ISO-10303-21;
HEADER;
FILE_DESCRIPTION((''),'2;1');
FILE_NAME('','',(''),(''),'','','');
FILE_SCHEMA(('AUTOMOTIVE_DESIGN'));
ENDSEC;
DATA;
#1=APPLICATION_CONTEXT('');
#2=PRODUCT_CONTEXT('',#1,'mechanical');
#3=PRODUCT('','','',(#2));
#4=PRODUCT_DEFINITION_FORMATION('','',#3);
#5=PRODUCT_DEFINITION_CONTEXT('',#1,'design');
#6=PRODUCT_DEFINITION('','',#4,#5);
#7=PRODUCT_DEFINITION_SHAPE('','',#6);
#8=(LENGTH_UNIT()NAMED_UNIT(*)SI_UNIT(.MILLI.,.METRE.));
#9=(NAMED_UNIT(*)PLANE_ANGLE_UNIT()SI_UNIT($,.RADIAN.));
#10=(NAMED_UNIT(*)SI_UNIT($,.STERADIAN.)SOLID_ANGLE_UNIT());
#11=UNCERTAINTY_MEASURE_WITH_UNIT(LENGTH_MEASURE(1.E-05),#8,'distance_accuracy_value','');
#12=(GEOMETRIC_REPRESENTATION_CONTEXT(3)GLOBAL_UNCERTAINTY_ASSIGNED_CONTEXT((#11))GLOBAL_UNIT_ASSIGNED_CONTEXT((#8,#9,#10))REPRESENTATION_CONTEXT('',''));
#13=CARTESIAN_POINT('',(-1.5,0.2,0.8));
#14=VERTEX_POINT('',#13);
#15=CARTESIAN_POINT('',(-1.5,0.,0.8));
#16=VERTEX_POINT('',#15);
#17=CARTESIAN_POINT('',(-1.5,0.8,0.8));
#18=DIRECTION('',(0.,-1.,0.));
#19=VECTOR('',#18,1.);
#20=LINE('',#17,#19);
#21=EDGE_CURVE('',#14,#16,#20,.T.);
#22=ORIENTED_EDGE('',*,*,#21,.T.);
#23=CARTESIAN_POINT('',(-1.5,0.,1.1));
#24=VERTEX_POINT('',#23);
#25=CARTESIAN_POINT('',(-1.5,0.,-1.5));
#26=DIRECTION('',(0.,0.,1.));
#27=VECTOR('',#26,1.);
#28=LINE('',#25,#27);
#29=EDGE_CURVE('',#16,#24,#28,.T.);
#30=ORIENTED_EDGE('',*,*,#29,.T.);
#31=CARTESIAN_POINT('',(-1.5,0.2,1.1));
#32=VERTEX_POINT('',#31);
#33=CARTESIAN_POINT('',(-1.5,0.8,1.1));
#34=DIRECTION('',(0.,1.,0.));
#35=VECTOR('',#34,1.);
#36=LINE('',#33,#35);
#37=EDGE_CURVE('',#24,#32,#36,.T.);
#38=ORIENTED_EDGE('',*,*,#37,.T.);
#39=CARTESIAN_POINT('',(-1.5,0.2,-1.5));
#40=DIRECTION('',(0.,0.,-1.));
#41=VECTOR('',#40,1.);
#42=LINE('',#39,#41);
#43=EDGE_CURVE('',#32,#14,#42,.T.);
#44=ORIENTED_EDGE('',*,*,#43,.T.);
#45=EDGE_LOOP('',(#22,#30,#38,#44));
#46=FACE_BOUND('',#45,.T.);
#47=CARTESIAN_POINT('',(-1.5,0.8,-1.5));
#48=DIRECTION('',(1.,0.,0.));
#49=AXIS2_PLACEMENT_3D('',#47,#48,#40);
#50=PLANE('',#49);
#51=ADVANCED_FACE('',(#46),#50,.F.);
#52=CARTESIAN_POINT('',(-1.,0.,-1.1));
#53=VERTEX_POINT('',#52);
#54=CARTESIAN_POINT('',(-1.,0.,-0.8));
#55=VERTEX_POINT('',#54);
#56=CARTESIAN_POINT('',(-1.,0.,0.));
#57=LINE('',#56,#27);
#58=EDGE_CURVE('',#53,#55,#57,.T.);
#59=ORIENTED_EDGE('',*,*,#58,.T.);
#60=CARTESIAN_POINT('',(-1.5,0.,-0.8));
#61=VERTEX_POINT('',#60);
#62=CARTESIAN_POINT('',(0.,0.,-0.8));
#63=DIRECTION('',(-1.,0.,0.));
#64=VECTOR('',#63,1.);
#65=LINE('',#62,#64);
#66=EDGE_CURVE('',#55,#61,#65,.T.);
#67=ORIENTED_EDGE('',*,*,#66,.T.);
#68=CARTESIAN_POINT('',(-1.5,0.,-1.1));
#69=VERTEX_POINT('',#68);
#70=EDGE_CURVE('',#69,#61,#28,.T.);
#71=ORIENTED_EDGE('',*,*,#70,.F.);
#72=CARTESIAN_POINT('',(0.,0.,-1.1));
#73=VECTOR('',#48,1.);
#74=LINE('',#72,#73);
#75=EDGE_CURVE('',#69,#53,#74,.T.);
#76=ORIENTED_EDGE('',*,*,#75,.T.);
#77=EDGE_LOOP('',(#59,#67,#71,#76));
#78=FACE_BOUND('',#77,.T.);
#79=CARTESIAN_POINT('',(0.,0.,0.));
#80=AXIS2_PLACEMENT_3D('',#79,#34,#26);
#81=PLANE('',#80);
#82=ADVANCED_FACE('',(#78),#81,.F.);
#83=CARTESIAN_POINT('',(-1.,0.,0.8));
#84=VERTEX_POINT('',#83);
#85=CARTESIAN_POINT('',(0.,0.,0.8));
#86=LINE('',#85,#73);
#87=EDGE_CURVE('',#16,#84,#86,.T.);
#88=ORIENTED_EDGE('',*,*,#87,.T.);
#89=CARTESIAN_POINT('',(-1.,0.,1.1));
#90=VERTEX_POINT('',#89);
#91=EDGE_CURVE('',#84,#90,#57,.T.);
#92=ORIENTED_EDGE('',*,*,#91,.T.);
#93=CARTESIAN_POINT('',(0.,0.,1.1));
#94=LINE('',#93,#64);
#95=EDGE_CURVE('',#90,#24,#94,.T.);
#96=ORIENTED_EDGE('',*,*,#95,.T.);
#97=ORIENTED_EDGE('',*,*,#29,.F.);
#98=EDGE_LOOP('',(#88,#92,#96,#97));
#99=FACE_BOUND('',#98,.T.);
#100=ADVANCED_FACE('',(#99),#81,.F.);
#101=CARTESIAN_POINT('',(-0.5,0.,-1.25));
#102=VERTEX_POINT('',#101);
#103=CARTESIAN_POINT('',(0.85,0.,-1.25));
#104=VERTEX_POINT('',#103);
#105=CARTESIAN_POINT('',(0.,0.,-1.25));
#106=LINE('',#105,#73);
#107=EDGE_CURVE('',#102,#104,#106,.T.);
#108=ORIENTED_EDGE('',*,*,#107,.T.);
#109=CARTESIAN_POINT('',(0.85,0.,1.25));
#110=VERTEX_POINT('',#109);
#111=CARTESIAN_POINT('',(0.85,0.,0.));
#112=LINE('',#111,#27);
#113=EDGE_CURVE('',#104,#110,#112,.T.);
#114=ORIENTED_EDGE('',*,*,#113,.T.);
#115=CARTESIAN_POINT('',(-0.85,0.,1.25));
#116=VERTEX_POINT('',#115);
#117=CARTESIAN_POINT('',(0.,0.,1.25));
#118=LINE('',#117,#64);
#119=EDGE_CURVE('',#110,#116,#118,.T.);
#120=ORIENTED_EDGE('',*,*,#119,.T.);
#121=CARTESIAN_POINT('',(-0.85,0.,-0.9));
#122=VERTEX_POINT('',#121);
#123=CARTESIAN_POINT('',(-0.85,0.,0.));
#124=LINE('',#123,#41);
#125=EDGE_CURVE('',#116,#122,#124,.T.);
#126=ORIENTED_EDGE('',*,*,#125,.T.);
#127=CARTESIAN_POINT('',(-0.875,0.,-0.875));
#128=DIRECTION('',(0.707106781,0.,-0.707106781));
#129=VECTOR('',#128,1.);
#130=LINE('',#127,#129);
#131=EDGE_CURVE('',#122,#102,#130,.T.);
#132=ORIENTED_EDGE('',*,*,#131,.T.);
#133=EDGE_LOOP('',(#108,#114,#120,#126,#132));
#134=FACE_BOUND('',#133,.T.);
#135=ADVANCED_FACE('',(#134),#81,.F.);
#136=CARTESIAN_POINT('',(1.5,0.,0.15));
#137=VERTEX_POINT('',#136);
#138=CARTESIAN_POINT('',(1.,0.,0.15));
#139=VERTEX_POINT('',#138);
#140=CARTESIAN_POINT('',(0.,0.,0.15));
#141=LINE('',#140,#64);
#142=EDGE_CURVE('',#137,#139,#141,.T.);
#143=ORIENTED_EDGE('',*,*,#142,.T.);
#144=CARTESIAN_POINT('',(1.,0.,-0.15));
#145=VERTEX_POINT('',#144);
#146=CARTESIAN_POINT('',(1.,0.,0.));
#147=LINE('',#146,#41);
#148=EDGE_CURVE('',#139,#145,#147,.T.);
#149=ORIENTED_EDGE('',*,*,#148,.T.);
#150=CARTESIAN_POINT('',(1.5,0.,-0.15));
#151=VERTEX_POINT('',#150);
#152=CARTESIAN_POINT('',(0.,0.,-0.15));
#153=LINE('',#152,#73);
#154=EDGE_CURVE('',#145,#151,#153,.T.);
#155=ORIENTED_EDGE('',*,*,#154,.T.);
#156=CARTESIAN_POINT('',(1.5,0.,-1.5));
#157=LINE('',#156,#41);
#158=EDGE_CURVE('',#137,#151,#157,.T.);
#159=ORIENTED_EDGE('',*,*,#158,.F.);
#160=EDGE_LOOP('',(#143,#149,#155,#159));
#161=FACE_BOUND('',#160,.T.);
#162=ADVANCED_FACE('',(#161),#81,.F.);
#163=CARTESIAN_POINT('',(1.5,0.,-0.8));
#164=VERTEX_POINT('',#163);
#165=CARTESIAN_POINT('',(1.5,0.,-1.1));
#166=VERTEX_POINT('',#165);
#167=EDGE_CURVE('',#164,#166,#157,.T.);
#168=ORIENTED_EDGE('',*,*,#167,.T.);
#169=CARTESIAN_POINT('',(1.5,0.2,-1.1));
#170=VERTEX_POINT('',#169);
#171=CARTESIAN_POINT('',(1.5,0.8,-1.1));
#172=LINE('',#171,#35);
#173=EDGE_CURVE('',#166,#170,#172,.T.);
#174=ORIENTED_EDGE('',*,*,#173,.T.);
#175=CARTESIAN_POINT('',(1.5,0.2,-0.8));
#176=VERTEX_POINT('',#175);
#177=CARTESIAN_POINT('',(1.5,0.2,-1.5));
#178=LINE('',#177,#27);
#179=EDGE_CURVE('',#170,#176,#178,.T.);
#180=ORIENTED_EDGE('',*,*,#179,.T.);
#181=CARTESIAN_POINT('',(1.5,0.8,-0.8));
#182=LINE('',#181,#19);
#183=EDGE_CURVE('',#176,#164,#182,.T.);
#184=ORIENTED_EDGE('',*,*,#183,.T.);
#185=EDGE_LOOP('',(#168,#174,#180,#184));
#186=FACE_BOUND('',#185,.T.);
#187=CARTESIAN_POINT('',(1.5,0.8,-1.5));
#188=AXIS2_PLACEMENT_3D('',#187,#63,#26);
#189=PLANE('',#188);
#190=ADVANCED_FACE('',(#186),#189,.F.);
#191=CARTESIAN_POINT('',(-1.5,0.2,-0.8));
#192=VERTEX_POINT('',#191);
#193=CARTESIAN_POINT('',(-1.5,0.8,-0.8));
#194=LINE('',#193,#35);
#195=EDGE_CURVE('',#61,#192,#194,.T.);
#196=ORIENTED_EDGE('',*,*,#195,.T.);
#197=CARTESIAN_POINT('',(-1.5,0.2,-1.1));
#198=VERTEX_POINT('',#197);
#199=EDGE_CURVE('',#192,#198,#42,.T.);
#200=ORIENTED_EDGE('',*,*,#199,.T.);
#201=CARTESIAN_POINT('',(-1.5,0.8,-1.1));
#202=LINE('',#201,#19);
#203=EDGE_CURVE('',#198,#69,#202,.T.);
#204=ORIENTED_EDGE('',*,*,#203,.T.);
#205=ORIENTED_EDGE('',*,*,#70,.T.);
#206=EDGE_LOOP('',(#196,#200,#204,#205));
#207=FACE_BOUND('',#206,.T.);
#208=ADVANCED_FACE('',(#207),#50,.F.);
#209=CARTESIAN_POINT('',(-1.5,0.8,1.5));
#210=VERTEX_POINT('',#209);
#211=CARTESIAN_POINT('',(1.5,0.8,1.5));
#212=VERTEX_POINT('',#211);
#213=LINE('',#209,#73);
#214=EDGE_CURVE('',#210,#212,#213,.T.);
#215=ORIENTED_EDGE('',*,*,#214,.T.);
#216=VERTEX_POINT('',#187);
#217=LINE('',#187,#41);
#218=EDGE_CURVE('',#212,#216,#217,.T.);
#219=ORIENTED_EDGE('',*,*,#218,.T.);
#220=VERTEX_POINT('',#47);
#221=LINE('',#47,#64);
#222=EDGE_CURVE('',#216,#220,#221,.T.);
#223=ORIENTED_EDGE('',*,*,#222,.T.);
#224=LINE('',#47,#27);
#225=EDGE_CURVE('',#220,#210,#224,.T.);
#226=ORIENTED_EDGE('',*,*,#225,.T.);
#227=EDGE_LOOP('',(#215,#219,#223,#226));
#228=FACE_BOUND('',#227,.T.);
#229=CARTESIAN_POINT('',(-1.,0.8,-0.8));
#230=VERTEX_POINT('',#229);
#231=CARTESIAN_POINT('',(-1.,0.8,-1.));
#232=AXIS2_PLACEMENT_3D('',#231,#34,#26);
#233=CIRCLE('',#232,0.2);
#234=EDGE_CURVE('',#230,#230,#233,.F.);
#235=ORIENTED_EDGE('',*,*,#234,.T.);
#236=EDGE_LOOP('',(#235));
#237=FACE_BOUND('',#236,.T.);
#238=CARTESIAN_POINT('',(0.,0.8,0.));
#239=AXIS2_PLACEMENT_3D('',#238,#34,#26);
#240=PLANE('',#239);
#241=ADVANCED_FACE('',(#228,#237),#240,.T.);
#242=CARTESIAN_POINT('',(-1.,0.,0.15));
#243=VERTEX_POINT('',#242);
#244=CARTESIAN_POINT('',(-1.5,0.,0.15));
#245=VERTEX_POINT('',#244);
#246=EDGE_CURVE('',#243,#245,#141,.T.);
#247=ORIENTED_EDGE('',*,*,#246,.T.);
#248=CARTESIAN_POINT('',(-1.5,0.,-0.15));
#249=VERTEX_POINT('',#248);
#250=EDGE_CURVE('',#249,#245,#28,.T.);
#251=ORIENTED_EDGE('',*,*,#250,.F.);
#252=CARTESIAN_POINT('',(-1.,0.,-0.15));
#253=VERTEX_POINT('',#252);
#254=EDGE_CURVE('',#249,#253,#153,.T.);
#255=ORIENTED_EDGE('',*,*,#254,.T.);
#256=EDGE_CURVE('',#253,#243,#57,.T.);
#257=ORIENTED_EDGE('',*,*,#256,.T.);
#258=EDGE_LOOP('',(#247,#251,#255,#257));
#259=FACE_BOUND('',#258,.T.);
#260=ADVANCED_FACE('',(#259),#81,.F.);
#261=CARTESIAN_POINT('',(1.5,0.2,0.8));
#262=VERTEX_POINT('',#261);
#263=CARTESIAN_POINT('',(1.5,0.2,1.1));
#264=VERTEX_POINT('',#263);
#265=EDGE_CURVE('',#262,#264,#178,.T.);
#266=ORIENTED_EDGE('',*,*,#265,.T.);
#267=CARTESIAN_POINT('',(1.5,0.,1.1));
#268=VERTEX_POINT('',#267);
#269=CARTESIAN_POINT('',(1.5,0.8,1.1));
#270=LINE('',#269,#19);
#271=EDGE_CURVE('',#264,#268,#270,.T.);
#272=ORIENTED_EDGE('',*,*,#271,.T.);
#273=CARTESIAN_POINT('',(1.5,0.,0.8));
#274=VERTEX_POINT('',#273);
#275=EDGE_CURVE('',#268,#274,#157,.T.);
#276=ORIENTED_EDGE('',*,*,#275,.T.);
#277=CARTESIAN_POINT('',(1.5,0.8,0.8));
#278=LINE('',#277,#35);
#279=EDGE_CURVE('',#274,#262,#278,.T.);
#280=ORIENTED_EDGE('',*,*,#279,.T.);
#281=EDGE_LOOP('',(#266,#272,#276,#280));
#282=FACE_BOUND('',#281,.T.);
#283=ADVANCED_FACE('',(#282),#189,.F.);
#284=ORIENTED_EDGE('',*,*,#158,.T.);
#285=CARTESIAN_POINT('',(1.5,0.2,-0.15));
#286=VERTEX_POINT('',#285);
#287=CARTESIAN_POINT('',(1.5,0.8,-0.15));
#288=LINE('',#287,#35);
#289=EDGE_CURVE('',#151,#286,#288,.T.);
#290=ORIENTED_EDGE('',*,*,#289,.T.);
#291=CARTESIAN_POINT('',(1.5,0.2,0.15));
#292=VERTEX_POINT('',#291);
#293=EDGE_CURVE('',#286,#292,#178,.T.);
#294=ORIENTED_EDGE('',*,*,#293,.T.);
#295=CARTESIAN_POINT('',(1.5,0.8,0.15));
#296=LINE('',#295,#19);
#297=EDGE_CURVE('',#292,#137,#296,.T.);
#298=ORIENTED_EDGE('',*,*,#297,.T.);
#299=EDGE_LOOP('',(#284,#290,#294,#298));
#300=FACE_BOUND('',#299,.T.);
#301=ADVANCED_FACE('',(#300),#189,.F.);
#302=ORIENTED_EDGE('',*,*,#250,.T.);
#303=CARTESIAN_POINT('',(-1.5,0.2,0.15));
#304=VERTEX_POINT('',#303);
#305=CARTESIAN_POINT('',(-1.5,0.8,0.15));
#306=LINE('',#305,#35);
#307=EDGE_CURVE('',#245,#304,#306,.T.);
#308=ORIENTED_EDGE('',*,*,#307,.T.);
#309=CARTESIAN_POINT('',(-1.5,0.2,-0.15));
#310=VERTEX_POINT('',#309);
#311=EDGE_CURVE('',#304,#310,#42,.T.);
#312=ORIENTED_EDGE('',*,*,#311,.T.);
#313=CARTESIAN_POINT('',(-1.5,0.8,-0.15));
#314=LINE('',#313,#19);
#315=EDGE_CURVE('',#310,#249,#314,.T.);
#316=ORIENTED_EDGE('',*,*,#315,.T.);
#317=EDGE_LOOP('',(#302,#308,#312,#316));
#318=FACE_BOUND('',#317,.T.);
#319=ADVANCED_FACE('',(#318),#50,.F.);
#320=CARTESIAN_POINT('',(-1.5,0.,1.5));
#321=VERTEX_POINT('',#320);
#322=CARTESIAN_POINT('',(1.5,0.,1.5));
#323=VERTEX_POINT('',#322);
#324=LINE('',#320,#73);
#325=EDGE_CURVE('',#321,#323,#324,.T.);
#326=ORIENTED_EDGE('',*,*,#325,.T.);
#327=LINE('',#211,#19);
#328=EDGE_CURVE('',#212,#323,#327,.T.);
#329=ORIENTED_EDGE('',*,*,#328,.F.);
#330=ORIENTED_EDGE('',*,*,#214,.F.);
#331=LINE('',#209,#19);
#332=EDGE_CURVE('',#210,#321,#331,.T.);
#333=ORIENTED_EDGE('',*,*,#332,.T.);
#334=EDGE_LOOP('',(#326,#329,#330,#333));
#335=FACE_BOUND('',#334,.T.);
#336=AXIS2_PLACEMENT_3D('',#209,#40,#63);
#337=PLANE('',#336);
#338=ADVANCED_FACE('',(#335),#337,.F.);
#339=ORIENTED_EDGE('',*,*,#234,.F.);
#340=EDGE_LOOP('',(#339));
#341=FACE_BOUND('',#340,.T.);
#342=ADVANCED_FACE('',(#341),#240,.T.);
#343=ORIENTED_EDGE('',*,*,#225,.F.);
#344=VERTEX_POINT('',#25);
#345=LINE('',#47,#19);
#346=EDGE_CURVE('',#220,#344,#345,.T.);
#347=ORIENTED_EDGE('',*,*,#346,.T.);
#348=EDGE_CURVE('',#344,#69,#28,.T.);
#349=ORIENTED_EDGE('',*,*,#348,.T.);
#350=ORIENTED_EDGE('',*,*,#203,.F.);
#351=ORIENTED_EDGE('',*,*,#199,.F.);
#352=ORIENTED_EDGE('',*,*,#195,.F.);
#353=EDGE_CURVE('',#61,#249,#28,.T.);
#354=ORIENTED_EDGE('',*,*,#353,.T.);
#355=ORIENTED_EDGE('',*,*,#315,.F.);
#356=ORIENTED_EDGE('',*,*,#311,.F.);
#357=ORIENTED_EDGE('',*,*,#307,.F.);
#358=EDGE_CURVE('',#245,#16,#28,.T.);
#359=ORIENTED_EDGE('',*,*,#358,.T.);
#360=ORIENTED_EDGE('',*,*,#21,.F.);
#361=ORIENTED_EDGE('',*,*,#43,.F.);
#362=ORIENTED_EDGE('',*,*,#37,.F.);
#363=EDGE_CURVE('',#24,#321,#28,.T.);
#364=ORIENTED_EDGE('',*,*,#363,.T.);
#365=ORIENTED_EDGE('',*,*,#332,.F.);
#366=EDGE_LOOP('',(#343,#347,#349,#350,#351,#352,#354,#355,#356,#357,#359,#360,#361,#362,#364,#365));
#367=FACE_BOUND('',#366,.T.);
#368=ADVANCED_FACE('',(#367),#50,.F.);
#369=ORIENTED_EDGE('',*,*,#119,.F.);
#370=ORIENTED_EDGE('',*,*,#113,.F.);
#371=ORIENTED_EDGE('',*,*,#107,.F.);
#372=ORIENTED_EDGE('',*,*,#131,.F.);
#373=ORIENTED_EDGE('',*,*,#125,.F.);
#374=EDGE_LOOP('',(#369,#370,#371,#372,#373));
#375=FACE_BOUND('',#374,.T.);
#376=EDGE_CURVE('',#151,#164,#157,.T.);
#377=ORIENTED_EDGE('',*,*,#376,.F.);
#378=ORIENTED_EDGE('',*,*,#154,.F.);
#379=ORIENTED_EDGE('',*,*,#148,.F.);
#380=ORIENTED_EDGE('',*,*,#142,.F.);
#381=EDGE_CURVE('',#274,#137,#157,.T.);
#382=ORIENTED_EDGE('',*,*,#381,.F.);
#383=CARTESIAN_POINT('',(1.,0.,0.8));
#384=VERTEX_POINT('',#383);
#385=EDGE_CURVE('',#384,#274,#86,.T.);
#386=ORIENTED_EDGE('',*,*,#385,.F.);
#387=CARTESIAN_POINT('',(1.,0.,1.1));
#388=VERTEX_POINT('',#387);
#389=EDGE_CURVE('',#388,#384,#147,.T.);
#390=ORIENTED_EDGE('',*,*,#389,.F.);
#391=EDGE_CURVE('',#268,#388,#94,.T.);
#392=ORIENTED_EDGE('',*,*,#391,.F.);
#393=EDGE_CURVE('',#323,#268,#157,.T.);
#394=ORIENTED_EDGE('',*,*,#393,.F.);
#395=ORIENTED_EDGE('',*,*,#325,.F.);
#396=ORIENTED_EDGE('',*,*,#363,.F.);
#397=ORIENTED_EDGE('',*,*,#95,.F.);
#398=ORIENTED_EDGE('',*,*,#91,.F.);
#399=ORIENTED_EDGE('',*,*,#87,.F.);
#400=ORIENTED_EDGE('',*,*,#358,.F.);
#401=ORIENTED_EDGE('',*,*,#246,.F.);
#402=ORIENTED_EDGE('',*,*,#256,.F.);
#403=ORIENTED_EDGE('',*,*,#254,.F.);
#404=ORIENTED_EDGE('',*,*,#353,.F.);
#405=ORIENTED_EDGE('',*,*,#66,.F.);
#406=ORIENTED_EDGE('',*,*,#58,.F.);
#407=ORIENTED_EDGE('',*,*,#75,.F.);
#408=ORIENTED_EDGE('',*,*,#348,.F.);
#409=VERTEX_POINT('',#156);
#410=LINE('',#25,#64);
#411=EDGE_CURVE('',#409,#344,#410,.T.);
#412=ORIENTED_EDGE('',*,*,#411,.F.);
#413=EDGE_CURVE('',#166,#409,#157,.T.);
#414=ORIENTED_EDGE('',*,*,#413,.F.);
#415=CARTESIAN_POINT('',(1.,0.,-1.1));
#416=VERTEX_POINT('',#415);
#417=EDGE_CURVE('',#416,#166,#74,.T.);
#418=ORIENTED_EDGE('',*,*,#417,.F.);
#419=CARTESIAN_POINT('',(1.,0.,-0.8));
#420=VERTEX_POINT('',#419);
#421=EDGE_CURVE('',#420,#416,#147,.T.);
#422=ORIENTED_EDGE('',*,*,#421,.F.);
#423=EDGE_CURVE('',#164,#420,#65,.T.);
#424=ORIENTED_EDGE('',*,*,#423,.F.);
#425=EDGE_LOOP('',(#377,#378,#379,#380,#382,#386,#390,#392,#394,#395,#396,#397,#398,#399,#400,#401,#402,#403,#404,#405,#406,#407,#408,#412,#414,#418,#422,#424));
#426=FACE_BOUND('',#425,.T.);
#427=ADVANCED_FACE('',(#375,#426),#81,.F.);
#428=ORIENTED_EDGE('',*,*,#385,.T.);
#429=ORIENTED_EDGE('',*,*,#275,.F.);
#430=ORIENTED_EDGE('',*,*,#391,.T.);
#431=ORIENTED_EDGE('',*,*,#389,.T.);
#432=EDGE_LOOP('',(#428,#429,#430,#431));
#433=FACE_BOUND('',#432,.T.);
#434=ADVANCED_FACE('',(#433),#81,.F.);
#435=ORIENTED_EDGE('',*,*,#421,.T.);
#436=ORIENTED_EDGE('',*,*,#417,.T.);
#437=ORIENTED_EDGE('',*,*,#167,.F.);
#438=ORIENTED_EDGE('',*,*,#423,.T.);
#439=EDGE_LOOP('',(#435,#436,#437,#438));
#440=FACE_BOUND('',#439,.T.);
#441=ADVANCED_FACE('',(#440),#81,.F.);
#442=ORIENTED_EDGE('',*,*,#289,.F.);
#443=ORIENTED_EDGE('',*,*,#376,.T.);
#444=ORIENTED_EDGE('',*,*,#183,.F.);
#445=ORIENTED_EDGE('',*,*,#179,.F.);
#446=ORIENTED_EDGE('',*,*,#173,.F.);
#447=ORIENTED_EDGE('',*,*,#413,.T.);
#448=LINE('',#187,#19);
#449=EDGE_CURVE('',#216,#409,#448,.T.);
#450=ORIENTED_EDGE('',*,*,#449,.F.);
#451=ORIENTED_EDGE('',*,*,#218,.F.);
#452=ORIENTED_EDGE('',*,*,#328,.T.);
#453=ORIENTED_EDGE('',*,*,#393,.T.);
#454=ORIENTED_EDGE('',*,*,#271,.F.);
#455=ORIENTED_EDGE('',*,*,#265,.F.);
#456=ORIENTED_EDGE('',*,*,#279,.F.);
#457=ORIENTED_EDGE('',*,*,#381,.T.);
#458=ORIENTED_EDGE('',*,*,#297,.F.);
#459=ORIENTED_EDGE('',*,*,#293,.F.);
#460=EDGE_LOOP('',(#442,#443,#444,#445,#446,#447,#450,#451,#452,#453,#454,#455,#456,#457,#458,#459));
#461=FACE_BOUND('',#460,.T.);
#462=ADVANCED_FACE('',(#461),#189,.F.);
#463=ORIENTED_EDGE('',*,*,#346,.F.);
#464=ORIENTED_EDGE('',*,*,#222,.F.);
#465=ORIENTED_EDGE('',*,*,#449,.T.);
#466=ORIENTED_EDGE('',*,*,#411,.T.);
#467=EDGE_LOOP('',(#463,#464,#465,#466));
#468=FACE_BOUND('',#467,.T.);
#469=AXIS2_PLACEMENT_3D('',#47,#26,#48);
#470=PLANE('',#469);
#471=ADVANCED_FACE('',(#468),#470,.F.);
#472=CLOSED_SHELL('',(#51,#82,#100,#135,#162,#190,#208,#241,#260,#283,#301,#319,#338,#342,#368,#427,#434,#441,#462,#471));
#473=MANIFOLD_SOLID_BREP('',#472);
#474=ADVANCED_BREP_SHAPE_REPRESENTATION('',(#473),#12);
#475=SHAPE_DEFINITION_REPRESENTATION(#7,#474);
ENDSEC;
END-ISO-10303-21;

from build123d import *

# Parameters (mm, degrees)
SKETCH_1_W      = 3
SKETCH_1_H      = 3
EXTRUDE_1_DEPTH = 0.8


with BuildPart() as part:
    # Эскиз1 → Бобышка-Вытянуть1 (new body)
    with BuildSketch(Plane(origin=(0, 0, 0), x_dir=(1, 0, 0), z_dir=(0, 1, 0))):
        Rectangle(SKETCH_1_W, SKETCH_1_H)
    extrude(amount=EXTRUDE_1_DEPTH)


solid = part.part
